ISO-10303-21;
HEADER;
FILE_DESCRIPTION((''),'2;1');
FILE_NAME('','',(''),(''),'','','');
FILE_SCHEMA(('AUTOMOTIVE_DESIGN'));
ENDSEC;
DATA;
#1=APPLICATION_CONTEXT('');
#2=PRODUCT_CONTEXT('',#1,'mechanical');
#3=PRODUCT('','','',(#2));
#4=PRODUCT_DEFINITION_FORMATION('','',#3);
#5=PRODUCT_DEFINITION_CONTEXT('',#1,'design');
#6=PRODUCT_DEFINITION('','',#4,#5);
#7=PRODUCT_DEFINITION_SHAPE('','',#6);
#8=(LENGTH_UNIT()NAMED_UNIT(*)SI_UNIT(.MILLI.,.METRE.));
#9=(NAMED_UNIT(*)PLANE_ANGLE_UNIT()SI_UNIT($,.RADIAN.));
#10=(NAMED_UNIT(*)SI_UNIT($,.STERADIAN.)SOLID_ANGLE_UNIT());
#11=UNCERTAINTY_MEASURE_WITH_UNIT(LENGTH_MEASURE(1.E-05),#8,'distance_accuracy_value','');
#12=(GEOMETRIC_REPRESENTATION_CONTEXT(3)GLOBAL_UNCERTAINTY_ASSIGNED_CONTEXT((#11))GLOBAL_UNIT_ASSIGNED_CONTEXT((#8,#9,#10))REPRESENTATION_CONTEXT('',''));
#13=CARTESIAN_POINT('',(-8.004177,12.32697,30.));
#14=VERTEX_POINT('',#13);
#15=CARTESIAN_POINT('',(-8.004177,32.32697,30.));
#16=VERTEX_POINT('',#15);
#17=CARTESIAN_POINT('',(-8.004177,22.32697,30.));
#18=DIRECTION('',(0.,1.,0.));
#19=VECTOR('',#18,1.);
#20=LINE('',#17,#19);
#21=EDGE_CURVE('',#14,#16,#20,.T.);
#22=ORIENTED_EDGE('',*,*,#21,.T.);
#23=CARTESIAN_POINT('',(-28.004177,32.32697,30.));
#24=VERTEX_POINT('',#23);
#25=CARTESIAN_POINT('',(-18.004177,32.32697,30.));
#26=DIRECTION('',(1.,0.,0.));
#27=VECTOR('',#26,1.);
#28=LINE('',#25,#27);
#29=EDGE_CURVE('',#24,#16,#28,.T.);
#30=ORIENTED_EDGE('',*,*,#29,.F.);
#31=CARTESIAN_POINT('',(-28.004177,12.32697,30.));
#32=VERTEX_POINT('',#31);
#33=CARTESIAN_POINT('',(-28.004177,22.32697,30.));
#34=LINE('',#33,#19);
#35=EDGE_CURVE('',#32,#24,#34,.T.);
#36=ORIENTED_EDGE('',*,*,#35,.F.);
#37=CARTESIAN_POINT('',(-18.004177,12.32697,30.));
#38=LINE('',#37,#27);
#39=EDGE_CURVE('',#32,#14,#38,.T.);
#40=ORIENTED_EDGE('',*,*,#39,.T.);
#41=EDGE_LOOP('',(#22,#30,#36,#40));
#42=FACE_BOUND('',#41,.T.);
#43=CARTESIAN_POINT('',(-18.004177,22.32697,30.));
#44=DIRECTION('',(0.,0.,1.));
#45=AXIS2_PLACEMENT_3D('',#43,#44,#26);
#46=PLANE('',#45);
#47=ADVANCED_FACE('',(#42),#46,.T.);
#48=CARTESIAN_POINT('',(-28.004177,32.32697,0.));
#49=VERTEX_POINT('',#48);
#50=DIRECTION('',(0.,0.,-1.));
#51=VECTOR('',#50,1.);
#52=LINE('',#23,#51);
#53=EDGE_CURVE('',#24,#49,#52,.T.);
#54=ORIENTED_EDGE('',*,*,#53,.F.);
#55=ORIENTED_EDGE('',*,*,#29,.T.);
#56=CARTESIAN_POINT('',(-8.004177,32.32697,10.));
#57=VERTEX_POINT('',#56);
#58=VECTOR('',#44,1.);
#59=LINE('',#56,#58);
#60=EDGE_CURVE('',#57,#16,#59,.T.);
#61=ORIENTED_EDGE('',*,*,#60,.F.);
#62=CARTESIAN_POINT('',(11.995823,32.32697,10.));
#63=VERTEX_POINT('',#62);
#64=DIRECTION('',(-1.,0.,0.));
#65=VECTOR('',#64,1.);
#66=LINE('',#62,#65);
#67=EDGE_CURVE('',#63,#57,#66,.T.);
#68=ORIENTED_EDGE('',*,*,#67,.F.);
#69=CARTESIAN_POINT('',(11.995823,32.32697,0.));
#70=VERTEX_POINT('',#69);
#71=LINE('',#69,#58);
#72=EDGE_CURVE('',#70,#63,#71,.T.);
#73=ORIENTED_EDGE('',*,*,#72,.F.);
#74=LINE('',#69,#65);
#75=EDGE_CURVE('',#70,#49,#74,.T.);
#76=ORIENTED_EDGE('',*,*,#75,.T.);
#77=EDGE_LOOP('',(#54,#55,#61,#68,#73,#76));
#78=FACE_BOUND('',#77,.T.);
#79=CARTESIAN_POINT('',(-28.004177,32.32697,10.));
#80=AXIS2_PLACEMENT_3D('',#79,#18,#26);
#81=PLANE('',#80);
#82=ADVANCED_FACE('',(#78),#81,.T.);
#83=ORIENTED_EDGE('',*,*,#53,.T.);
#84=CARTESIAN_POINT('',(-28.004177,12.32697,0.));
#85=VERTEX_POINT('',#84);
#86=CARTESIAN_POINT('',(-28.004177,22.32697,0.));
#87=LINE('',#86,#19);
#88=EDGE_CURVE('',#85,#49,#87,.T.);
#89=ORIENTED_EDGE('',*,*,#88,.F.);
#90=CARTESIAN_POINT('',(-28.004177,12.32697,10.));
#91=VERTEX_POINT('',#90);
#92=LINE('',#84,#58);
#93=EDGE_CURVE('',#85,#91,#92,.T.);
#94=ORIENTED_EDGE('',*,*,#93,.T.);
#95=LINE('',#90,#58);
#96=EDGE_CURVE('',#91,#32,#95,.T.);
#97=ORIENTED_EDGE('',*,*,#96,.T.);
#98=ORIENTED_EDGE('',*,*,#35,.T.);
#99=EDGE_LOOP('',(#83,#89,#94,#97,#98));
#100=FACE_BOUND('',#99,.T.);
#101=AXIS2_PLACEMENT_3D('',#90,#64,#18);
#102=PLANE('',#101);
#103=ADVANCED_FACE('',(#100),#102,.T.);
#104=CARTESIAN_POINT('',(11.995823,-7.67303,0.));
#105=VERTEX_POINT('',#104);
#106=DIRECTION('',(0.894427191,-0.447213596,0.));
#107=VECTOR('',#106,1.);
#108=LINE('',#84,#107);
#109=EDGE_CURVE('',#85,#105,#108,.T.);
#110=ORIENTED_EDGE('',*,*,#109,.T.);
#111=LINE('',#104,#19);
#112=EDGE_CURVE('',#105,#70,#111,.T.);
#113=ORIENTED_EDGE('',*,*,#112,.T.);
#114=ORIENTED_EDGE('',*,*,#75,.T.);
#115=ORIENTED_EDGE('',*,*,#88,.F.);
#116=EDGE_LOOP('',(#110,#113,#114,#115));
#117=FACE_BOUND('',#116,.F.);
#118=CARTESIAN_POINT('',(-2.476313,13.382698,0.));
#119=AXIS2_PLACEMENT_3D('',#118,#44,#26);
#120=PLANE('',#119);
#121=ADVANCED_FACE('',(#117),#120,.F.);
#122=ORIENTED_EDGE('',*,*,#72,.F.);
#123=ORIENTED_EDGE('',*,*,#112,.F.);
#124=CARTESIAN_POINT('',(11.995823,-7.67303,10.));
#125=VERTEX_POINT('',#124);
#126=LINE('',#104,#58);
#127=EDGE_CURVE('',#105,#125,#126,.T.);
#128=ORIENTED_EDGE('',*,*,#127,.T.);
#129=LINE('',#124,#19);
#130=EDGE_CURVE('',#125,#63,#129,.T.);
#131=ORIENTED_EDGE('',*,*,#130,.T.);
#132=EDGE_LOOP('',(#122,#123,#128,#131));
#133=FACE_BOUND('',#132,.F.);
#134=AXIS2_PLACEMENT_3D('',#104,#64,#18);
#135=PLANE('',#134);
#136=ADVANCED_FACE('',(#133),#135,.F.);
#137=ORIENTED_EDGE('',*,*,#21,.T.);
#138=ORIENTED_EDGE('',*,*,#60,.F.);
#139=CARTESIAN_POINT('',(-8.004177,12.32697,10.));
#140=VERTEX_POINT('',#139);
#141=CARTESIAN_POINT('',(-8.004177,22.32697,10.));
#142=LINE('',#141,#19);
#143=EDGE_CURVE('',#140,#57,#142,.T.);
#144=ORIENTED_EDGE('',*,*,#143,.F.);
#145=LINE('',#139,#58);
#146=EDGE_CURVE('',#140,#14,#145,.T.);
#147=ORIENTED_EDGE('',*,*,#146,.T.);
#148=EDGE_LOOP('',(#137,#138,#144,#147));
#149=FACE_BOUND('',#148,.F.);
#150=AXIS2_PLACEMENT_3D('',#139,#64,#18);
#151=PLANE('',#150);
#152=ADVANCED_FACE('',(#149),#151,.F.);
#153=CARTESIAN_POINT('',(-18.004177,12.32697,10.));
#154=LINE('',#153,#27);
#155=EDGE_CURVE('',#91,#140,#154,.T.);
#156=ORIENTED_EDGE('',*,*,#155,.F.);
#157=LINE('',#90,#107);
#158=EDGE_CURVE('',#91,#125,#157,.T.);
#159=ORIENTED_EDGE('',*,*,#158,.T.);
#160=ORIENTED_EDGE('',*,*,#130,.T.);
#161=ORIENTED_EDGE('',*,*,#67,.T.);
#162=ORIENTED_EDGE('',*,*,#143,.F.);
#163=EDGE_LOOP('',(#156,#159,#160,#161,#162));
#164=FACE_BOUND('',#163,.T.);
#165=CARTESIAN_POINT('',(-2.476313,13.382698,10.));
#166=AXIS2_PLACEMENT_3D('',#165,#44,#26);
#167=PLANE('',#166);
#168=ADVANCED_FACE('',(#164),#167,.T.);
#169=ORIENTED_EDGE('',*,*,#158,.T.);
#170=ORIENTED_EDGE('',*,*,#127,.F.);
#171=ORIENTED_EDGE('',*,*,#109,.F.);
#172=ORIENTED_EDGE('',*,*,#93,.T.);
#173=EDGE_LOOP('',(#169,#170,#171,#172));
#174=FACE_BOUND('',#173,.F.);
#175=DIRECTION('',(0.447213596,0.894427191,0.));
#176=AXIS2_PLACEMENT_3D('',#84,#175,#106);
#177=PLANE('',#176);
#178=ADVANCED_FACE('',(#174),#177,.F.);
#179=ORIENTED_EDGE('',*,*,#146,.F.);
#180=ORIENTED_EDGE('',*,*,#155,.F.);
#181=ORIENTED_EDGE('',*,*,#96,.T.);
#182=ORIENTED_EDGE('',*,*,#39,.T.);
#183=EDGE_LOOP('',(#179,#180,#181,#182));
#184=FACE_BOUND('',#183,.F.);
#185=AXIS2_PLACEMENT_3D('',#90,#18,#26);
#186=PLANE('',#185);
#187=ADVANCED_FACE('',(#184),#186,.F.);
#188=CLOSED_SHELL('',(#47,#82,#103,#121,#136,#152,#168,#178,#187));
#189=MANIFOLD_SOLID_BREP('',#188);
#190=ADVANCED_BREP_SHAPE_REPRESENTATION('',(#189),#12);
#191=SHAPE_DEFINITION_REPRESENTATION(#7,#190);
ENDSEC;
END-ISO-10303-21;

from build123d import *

# Parameters (mm, degrees)
F1_DEPTH = 0.00381
F3_DEPTH = 457.2
F6_W     = 20
F6_H     = 20
F7_DEPTH = 10
F8_W     = 20
F8_H     = 20
F9_DEPTH = 20


with BuildPart() as f1:
    # F0 (on Front) → F1 (new body)
    with BuildSketch(Plane.XZ):
        with BuildLine():
            add(Edge.make_bspline(
                [(-22.9145586491, 34.3718379736), (-3.9492113039, 69.8016077393), (-62.1253221057, 78.1520333198), (-120.3014329076, 86.5024589002), (-81.0906694509, 42.722263554), (-41.8799059942, -1.0579317921), (-22.9145586491, 34.3718379736)],
                knots=[0, 0, 0, 2.0943951024, 2.0943951024, 4.1887902048, 4.1887902048, 6.2831853072, 6.2831853072, 6.2831853072], degree=2, weights=[1, 0.5, 1, 0.5, 1, 0.5, 1]))
        make_face()
    extrude(amount=F1_DEPTH)


with BuildPart() as f3:
    # F2 (on Right) → F3 (new body)
    with BuildSketch(Plane.YZ):
        Polygon((-70.1284529331, 18.8658560246), (-40.1422344148, 27.7524124831), (-32.8451088009, 58.1645177126), (-55.5342017052, 79.6900664836), (-85.5204202235, 70.8035100251), (-92.8175458374, 40.3914047957), align=None)
    extrude(amount=F3_DEPTH)


with BuildPart() as f7:
    # F6 (on Top) → F7 (new body)
    with BuildSketch(Plane.XY):
        Polygon((11.9958230853, 32.3269702494), (-8.0041769147, 32.3269702494), (-8.0041769147, 12.3269702494), (-28.0041769147, 12.3269702494), (11.9958230853, -7.6730297506), align=None)
        with Locations((-18.0041769147, 22.3269702494)):
            Rectangle(F6_W, F6_H)
    extrude(amount=F7_DEPTH)

    # F8 (on face) → F9 (join)
    with BuildSketch(Plane.XY.offset(10)):
        with Locations((-18.0041769147, 22.3269702494)):
            Rectangle(F8_W, F8_H)
    extrude(amount=F9_DEPTH)


solid = f7.part
